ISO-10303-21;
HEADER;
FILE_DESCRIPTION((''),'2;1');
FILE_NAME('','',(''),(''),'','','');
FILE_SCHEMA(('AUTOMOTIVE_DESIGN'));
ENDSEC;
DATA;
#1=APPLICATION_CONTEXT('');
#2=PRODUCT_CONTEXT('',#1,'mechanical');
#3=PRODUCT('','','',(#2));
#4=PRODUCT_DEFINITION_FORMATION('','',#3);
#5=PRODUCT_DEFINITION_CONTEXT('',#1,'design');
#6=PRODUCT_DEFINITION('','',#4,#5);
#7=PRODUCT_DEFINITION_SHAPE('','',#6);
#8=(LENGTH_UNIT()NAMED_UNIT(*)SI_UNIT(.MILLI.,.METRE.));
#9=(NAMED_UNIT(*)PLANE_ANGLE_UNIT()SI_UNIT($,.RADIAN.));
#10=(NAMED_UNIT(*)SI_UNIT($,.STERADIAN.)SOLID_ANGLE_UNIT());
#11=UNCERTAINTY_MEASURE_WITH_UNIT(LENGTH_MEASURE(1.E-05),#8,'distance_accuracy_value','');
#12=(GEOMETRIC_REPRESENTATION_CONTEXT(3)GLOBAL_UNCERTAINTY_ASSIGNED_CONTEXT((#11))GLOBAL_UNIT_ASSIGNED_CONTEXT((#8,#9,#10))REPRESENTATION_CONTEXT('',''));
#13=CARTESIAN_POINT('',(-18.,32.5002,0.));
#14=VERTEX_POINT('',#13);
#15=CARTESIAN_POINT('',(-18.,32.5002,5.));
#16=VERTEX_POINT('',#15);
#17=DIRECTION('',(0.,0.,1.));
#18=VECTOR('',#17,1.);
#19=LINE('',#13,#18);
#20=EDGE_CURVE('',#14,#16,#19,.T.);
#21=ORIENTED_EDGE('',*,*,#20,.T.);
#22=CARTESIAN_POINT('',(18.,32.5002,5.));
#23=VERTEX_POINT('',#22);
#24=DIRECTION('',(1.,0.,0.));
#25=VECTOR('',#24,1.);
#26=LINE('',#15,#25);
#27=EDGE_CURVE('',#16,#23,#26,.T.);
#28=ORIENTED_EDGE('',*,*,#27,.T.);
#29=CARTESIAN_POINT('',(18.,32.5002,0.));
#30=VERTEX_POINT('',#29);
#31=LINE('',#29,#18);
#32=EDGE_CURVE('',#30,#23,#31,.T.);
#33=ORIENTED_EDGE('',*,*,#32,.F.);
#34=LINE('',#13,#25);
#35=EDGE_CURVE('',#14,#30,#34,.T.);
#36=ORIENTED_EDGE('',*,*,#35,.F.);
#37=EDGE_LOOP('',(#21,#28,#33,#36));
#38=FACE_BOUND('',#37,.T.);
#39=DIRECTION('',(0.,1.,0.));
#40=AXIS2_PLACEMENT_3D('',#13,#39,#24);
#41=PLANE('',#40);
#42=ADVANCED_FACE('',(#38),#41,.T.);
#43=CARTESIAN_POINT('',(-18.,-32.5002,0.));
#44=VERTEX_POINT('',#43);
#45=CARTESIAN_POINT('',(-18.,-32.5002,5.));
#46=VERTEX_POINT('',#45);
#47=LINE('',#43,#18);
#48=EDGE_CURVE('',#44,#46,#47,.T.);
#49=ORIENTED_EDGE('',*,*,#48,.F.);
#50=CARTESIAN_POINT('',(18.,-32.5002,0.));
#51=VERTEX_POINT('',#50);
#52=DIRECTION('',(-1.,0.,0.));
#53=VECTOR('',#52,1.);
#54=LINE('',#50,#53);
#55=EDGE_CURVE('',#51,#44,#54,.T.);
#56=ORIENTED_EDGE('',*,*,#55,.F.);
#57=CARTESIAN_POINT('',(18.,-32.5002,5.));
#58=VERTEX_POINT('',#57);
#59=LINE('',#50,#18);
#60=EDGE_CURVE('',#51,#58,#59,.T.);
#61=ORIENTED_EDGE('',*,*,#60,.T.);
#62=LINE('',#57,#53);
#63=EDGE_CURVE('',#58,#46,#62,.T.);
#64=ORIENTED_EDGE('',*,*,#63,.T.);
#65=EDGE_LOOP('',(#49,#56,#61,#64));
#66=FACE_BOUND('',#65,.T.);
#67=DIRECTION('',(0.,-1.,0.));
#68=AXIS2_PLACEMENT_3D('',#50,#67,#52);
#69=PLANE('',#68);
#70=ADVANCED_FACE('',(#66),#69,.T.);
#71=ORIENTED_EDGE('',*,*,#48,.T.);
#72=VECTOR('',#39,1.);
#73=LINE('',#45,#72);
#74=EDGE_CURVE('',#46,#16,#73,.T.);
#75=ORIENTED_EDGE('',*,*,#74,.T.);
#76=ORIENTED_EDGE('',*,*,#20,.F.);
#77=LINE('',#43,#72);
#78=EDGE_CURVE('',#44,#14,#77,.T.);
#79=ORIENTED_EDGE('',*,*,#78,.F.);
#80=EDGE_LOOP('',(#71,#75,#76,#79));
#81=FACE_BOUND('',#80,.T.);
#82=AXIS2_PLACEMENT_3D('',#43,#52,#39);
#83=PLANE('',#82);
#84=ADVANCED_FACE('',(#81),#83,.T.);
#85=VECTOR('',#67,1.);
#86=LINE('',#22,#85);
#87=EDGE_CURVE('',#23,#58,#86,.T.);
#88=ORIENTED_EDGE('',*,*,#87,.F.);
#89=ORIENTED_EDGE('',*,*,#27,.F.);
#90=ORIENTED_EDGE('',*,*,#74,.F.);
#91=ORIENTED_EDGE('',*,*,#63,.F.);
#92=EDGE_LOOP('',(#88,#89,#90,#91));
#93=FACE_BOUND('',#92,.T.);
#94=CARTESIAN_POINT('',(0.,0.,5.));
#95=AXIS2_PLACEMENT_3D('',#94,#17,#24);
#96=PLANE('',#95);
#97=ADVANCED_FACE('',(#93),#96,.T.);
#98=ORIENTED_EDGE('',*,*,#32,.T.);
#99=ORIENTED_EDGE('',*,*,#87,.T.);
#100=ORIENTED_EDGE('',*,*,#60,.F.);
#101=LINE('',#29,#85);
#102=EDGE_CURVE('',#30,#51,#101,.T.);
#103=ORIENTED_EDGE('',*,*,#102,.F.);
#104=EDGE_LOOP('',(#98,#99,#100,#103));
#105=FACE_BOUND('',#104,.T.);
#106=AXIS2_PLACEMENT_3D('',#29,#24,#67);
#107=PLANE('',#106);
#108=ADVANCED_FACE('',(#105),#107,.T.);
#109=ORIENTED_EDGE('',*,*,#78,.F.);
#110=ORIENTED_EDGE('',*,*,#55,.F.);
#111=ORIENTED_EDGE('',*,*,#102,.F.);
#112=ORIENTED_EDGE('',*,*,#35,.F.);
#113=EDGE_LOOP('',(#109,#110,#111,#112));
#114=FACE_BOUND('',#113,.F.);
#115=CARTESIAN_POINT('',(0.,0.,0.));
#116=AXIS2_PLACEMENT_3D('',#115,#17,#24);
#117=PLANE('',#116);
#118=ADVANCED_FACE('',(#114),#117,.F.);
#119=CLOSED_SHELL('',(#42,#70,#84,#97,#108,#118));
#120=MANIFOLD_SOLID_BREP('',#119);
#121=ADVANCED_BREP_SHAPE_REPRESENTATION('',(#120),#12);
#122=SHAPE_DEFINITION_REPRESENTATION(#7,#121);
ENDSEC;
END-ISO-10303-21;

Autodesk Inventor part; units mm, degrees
ref_plane "YZ Plane" through (0, 0, 0) normal (1, 0, 0) x (0, 1, 0)
ref_plane "XZ Plane" through (0, 0, 0) normal (0, 1, 0) x (-1, 0, 0)
ref_plane "XY Plane" through (0, 0, 0) normal (0, 0, 1) x (1, 0, 0)
sketch "Sketch1" plane through (0, 0, 0) normal (0, 0, 1) x (1, 0, 0)
  line L0 (0, 20.1746) -> (0, -21.4461) construction
  line L1 (-20.2028, 0) -> (20.1685, 0) construction
  line L2 (-18, 32.5002) -> (18, 32.5002)
  line L3 (18, 32.5002) -> (18, -32.5002)
  line L4 (18, -32.5002) -> (-18, -32.5002)
  line L5 (-18, -32.5002) -> (-18, 32.5002)
  point P0 (0, 0)
  dimension "d0" = 65.0004
  dimension "d1" = 32.5002
  dimension "d2" = 36
  dimension "d3" = 18
extrude "Extrusion1" add sketch "Sketch1" along normal blind 5
fillet "Fillet1" [suppressed]
chamfer "Chamfer1" [suppressed]
equation "\"d0\" = height"
equation "\"d1\" = 0.5 * height"
equation "\"d2\" = width"
equation "\"d3\" = 0.5 * width"
equation "\"d4\" = thickness"
equation "\"fillet\" = 0"
equation "\"chamfer\" = 0"
equation "\"thickness\" = 5"
equation "\"width\" = 36"
equation "\"height\" = 65.0004"
properties part number "Пластина Острые углы (мм) 36 x 65,0004 x 5" material "Сталь, мягкая"
